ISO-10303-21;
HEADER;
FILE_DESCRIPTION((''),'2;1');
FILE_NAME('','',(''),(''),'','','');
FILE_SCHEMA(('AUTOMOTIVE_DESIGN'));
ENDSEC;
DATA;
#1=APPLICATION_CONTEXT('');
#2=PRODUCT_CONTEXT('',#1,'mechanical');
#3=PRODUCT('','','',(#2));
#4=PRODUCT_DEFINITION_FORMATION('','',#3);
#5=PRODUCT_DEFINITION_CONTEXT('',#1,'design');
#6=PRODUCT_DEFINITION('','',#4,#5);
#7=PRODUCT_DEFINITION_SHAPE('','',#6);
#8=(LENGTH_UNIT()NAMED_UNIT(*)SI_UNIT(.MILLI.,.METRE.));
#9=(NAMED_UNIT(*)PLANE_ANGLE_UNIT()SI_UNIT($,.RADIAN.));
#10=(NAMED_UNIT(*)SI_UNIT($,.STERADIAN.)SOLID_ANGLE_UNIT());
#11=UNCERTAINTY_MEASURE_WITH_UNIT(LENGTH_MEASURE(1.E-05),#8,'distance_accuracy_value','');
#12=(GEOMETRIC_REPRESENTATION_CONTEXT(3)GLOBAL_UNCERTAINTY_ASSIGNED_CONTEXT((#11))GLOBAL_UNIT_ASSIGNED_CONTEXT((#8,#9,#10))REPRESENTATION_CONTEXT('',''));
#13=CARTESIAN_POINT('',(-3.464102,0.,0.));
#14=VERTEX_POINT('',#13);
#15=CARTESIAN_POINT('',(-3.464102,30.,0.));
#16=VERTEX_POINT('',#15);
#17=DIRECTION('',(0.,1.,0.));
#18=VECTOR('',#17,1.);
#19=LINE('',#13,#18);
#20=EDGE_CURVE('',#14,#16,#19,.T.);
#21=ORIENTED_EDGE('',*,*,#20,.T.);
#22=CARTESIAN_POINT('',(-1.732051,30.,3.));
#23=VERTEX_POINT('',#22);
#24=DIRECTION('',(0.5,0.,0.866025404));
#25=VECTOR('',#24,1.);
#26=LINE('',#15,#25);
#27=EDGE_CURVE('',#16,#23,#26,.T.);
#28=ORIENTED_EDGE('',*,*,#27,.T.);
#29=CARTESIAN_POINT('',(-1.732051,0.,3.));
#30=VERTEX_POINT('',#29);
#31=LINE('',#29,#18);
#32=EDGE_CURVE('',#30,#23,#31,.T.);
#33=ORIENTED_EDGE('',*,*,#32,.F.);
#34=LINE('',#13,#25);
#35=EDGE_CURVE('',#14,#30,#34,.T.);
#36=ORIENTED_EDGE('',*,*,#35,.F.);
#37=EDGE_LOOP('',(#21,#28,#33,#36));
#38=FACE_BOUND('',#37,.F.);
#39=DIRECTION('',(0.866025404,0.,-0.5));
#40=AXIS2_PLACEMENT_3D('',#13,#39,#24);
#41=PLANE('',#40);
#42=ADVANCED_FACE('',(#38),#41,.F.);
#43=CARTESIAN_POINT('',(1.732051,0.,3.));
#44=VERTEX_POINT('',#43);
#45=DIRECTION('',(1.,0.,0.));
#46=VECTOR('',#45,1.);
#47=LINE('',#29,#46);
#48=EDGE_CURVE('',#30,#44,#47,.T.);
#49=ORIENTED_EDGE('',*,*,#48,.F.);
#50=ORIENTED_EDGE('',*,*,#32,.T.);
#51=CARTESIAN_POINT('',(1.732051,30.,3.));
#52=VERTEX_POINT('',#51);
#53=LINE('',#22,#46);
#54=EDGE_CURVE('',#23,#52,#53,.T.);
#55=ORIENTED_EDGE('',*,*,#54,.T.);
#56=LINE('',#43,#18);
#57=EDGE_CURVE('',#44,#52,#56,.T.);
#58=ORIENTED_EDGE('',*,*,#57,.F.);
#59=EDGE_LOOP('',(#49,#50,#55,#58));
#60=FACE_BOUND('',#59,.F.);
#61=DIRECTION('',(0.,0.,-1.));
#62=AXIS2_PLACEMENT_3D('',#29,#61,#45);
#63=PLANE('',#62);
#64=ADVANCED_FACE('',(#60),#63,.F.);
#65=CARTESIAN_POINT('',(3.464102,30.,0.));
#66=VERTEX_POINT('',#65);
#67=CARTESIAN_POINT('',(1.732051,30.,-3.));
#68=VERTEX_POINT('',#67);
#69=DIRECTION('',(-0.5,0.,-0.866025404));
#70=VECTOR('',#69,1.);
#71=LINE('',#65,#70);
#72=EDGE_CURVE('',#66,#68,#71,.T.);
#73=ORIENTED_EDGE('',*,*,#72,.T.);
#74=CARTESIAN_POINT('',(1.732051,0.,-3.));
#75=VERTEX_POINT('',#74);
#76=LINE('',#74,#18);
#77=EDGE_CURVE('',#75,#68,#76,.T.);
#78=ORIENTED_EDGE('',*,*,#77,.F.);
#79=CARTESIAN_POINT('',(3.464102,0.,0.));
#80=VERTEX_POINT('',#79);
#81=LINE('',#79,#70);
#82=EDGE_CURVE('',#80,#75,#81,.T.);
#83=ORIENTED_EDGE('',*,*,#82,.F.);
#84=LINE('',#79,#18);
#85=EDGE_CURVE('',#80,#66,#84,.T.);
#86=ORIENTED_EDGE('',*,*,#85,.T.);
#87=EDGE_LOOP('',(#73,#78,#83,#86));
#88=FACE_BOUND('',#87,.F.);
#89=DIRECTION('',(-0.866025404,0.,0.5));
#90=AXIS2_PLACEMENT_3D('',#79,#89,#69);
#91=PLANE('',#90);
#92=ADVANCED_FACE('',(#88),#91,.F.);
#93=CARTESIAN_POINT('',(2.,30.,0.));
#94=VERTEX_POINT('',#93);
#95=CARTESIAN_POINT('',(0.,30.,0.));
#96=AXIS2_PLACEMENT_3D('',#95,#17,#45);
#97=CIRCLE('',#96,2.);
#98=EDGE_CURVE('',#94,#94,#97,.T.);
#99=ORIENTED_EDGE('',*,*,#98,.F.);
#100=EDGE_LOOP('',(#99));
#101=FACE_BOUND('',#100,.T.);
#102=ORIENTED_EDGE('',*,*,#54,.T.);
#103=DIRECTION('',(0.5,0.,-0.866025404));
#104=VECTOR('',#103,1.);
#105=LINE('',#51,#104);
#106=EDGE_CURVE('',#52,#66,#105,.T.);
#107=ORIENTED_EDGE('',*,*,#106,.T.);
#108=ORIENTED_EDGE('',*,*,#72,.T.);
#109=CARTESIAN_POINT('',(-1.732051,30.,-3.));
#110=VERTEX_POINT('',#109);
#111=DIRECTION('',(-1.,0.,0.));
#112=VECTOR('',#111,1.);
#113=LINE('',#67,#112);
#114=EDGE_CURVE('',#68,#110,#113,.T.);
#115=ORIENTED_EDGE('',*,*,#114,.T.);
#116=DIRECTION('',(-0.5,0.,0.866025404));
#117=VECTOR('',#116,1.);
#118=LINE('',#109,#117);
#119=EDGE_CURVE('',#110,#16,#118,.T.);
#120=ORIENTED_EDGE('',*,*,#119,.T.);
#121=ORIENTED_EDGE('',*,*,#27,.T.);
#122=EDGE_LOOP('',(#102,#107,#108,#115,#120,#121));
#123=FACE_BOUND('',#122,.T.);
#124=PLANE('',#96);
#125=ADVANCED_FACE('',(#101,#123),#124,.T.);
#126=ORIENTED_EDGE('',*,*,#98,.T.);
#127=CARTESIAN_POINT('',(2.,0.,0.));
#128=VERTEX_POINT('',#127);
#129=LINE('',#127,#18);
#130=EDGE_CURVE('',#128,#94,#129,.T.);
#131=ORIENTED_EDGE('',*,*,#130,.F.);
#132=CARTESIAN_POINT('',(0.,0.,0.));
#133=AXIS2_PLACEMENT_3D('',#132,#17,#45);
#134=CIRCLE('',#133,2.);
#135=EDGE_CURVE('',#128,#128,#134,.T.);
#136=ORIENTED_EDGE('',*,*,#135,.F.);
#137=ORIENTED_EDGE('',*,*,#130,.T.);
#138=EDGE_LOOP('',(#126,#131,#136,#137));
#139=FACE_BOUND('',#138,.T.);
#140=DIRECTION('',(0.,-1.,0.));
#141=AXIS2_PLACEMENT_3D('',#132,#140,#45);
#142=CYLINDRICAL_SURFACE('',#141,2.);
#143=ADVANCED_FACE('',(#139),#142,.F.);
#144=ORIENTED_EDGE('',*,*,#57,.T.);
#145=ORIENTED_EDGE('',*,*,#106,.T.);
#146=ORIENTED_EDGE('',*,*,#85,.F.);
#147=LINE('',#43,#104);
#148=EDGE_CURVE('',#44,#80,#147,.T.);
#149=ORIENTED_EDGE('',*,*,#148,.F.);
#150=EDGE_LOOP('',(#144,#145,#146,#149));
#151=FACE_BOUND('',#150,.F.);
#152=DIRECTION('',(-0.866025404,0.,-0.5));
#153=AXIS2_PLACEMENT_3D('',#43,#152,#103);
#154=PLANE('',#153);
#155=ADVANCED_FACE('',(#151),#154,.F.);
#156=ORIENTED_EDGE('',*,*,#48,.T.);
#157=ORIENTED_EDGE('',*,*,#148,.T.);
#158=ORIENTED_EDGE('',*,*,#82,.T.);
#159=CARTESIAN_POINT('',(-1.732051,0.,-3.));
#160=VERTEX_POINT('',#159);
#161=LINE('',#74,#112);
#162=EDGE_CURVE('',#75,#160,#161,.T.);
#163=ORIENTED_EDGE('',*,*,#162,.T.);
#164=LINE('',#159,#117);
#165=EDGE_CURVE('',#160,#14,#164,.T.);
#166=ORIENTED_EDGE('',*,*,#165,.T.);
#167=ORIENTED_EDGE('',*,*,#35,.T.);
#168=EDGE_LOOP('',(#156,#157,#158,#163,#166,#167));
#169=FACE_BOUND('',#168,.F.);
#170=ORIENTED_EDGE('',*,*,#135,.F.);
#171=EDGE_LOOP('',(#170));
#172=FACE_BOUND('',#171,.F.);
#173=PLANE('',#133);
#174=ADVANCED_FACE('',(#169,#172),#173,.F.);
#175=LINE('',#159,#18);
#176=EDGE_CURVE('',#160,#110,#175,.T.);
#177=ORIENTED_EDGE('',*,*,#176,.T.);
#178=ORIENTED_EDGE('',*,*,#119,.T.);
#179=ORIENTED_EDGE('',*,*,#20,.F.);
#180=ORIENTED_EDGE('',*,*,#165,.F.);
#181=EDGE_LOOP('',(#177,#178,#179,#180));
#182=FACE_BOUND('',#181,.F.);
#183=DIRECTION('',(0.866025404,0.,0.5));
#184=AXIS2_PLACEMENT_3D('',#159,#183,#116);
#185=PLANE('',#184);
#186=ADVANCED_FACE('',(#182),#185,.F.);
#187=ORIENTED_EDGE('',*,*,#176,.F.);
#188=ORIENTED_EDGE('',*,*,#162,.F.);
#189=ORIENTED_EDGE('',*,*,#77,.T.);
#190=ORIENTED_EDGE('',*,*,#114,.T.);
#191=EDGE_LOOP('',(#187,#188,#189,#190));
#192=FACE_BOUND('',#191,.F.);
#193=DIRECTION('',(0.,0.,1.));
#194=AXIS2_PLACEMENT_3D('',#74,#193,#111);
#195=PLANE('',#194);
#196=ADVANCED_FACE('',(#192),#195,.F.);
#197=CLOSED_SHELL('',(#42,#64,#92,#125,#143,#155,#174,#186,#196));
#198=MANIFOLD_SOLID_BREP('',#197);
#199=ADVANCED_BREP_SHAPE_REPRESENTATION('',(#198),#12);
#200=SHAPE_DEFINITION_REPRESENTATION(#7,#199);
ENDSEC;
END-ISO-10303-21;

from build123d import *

# Parameters (mm, degrees)
SKETCH_1_R      = 2
EXTRUDE_1_DEPTH = 30


with BuildPart() as part:
    # 草图1 → 凸台-拉伸1 (new body)
    with BuildSketch(Plane(origin=(0, 0, 0), x_dir=(1, 0, 0), z_dir=(0, 1, 0))):
        Polygon((1.732050808, 3), (-1.732050808, 3), (-3.464101615, 0), (-1.732050808, -3), (1.732050808, -3), (3.464101615, 0), align=None)
        Circle(SKETCH_1_R, mode=Mode.SUBTRACT)
    extrude(amount=EXTRUDE_1_DEPTH)


solid = part.part
